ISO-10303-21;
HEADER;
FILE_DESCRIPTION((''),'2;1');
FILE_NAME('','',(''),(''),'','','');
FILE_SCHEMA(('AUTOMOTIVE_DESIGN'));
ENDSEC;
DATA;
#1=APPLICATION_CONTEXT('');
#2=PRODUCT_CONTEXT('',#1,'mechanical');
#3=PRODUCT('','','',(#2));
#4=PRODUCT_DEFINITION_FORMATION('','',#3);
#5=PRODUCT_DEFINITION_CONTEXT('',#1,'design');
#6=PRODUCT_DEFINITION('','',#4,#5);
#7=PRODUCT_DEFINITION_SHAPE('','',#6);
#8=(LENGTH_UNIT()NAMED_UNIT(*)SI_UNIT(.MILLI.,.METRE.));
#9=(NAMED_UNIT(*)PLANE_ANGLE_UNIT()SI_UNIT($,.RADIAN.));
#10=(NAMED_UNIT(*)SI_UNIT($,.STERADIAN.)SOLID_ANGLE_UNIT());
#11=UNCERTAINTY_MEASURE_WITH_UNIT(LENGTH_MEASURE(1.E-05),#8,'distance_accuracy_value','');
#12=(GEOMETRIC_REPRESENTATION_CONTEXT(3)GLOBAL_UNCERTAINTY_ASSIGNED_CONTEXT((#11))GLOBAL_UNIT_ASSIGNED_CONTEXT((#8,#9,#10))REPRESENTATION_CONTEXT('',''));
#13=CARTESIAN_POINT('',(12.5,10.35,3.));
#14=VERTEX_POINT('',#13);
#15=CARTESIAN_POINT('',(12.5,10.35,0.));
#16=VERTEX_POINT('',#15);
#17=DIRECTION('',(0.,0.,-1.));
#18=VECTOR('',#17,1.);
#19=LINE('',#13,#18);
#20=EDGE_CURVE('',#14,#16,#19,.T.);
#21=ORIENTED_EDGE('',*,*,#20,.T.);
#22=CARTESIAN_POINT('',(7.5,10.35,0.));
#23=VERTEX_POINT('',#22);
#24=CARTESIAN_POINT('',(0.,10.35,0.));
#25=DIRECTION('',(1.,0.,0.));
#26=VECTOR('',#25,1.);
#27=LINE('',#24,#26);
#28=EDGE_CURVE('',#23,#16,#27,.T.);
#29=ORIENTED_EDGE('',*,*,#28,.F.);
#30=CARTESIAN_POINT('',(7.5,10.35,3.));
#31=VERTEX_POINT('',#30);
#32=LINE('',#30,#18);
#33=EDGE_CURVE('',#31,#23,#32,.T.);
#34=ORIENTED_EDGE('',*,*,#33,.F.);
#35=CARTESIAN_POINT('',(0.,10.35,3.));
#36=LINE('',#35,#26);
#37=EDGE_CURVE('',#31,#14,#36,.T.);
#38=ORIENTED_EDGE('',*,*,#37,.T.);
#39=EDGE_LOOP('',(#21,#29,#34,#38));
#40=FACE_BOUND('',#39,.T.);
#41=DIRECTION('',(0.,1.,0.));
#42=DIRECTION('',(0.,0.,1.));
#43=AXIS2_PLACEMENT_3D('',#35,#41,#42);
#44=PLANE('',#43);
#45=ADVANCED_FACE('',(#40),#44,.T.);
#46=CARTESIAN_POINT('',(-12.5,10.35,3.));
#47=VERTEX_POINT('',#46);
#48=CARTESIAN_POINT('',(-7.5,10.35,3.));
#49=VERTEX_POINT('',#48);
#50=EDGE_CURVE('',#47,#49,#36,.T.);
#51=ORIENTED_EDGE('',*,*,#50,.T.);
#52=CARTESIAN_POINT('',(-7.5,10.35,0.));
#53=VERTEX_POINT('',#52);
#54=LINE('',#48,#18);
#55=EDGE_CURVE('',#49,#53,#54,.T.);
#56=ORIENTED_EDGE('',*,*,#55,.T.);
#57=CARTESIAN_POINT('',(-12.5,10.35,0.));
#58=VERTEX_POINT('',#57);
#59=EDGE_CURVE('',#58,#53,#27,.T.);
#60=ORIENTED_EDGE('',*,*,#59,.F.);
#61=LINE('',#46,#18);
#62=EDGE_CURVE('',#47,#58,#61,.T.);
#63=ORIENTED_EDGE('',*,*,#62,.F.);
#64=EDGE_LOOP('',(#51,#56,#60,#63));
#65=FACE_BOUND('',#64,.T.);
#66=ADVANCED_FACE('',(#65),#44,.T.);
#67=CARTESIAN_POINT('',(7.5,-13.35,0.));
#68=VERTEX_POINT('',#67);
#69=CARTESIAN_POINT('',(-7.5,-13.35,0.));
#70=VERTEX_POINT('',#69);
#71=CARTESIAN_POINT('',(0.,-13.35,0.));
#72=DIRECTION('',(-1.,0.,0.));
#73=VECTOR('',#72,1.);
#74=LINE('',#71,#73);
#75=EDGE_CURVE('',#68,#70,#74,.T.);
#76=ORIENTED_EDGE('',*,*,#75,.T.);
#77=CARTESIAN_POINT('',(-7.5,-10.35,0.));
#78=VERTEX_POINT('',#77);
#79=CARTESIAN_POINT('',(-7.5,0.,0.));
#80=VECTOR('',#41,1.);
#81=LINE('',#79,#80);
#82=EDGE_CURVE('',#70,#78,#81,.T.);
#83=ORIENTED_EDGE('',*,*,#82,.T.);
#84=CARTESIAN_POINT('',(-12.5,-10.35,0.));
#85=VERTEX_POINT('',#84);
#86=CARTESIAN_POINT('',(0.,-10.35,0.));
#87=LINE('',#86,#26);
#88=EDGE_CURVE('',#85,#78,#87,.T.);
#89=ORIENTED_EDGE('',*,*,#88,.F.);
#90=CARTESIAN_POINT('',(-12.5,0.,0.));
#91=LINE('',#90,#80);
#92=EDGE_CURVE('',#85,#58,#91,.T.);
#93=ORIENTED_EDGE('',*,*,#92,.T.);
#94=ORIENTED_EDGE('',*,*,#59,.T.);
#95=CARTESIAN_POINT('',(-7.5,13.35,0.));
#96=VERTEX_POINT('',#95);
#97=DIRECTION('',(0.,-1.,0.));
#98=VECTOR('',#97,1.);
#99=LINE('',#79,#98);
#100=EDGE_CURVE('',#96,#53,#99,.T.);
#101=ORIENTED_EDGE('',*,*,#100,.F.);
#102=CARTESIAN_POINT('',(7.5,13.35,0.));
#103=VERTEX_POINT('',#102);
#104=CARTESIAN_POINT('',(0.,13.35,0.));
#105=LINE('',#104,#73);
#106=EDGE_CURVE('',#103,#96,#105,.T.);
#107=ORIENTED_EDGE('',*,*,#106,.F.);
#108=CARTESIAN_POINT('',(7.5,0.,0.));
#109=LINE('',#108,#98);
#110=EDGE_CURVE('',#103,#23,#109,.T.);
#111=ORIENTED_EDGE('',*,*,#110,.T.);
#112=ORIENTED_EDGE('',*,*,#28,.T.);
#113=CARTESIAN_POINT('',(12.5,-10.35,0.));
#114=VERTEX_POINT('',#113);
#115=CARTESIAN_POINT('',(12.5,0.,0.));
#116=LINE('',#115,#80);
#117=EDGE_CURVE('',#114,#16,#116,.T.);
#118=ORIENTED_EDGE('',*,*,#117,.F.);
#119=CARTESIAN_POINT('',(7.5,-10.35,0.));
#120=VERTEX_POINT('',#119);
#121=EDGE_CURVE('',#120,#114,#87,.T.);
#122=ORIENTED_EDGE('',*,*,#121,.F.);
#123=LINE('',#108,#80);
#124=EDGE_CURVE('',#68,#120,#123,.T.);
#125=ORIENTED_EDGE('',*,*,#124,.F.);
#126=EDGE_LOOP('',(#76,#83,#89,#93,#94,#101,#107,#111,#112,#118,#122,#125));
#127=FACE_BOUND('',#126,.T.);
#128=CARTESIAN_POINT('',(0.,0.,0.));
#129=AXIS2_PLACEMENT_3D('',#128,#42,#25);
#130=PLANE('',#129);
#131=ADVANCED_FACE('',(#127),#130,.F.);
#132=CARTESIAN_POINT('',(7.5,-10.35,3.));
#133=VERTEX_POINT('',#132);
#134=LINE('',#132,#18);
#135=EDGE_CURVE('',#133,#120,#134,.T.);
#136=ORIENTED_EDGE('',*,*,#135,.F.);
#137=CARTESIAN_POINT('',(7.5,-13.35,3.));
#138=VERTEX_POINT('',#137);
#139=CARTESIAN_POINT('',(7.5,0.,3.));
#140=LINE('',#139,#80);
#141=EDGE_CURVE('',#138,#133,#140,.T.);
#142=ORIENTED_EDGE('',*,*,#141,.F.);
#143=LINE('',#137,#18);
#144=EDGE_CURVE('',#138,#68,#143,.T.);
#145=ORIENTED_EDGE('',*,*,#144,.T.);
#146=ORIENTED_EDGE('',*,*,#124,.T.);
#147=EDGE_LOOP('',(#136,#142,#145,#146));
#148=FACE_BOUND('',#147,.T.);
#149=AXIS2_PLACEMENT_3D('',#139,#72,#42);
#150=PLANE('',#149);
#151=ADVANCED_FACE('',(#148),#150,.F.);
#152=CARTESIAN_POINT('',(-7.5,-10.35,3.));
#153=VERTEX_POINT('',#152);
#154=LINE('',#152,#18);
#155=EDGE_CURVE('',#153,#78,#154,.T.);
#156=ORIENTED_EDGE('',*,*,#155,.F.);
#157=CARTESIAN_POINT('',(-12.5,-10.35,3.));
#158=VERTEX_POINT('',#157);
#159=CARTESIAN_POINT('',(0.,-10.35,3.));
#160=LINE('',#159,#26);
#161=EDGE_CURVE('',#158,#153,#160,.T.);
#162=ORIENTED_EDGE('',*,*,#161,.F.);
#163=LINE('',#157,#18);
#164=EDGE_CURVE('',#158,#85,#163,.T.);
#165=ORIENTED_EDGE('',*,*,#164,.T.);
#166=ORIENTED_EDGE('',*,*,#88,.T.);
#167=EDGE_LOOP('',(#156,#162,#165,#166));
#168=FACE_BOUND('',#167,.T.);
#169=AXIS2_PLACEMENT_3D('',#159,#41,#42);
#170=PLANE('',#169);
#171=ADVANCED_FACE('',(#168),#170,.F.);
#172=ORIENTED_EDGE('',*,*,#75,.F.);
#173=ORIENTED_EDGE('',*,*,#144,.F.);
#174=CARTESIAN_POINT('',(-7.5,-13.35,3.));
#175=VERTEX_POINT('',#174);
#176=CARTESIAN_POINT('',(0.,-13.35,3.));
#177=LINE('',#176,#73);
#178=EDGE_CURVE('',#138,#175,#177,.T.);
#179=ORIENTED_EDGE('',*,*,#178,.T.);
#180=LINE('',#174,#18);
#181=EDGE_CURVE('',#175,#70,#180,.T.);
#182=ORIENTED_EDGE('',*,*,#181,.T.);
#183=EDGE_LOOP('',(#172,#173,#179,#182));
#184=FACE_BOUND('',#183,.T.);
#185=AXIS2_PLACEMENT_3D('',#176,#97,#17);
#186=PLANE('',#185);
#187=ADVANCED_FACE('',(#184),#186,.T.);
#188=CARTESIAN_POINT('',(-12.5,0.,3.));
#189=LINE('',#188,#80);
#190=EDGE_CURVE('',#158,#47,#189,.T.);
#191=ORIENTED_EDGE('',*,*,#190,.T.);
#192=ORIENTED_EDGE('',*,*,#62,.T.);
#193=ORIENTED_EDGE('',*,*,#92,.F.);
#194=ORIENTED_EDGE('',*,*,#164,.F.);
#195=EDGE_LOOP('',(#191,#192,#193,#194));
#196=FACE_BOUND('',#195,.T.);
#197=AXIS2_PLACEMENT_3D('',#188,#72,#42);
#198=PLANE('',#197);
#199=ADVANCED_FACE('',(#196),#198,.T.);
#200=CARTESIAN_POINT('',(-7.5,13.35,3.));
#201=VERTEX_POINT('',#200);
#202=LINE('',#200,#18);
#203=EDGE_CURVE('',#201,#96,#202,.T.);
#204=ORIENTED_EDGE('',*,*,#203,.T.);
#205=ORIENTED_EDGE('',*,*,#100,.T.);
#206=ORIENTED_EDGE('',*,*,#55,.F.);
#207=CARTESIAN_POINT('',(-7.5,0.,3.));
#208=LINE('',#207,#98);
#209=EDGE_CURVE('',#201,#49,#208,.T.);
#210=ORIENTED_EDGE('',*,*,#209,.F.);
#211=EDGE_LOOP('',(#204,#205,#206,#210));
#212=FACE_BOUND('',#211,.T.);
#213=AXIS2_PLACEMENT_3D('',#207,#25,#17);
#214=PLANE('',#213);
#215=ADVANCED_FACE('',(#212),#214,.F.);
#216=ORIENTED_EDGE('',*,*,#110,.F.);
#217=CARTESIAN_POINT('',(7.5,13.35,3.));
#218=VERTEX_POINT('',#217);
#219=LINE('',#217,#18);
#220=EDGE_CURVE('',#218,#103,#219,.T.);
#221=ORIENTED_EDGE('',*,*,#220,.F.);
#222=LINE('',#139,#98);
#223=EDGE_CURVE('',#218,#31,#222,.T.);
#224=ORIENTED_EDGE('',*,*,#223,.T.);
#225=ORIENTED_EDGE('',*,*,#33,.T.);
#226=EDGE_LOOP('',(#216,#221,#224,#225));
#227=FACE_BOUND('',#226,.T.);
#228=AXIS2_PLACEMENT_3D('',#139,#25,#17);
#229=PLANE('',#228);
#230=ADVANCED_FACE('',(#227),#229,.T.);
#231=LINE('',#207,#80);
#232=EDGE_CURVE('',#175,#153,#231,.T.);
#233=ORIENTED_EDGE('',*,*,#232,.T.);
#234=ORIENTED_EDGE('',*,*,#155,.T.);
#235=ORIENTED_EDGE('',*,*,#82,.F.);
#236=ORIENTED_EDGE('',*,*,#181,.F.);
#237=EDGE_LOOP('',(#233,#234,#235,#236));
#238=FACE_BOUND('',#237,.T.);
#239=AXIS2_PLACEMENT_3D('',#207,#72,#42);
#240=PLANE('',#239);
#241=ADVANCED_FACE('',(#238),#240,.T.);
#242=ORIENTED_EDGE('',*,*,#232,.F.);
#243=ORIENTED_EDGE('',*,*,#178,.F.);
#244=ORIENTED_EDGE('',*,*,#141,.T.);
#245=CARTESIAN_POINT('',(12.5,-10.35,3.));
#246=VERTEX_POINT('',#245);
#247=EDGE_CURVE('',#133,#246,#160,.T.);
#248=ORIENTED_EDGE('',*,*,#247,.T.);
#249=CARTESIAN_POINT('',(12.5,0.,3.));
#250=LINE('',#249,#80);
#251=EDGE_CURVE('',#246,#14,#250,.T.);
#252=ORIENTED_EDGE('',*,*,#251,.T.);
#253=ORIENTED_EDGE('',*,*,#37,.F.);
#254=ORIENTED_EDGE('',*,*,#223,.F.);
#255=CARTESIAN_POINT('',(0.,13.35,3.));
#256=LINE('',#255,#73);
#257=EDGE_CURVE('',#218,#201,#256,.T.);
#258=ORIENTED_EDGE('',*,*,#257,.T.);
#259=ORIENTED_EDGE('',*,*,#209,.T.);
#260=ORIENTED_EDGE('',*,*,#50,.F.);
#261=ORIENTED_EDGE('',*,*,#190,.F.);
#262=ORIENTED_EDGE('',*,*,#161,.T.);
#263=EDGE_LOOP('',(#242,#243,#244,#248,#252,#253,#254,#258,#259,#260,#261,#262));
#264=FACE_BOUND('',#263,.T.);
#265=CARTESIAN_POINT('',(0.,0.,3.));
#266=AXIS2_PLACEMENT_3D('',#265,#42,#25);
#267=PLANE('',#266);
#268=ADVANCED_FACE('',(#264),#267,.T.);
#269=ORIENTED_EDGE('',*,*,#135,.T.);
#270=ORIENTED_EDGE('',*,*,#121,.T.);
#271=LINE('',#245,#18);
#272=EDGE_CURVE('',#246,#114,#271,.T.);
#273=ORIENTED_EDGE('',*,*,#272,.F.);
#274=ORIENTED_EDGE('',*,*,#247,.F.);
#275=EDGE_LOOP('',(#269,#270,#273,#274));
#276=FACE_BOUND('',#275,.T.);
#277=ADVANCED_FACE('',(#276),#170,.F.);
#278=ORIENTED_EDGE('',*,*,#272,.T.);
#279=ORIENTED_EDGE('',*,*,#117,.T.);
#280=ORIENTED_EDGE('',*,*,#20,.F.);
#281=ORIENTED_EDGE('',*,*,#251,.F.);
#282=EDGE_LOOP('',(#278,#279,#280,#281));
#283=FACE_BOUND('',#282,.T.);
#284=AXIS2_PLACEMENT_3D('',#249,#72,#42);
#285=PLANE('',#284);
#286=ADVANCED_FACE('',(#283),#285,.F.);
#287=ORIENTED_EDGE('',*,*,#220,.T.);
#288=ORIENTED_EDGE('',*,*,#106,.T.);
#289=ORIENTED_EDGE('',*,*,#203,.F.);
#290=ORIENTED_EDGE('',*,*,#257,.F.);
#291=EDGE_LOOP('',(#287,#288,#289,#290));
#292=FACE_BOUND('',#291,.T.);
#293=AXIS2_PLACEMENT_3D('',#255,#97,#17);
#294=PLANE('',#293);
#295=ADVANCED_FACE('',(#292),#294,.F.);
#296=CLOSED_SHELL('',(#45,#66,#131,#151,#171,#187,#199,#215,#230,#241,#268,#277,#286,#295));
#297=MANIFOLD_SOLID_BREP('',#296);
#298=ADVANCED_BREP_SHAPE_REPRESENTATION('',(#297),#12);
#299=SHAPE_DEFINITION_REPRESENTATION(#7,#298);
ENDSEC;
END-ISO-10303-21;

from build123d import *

# Parameters (mm, degrees)
ESBO_O1_W                = 25
ESBO_O1_H                = 20.7
ESBO_O1_W_2              = 15
ESBO_O1_H_2              = 3
RESSALTO_EXTRUS_O1_DEPTH = 3


with BuildPart() as part:
    # Esboço1 → Ressalto-extrusão1 (new body)
    with BuildSketch(Plane.XY):
        Rectangle(ESBO_O1_W, ESBO_O1_H)
        with Locations((0, 11.85)):
            Rectangle(ESBO_O1_W_2, ESBO_O1_H_2)
        with Locations((0, -11.85)):
            Rectangle(ESBO_O1_W_2, ESBO_O1_H_2)
    extrude(amount=RESSALTO_EXTRUS_O1_DEPTH)


solid = part.part
